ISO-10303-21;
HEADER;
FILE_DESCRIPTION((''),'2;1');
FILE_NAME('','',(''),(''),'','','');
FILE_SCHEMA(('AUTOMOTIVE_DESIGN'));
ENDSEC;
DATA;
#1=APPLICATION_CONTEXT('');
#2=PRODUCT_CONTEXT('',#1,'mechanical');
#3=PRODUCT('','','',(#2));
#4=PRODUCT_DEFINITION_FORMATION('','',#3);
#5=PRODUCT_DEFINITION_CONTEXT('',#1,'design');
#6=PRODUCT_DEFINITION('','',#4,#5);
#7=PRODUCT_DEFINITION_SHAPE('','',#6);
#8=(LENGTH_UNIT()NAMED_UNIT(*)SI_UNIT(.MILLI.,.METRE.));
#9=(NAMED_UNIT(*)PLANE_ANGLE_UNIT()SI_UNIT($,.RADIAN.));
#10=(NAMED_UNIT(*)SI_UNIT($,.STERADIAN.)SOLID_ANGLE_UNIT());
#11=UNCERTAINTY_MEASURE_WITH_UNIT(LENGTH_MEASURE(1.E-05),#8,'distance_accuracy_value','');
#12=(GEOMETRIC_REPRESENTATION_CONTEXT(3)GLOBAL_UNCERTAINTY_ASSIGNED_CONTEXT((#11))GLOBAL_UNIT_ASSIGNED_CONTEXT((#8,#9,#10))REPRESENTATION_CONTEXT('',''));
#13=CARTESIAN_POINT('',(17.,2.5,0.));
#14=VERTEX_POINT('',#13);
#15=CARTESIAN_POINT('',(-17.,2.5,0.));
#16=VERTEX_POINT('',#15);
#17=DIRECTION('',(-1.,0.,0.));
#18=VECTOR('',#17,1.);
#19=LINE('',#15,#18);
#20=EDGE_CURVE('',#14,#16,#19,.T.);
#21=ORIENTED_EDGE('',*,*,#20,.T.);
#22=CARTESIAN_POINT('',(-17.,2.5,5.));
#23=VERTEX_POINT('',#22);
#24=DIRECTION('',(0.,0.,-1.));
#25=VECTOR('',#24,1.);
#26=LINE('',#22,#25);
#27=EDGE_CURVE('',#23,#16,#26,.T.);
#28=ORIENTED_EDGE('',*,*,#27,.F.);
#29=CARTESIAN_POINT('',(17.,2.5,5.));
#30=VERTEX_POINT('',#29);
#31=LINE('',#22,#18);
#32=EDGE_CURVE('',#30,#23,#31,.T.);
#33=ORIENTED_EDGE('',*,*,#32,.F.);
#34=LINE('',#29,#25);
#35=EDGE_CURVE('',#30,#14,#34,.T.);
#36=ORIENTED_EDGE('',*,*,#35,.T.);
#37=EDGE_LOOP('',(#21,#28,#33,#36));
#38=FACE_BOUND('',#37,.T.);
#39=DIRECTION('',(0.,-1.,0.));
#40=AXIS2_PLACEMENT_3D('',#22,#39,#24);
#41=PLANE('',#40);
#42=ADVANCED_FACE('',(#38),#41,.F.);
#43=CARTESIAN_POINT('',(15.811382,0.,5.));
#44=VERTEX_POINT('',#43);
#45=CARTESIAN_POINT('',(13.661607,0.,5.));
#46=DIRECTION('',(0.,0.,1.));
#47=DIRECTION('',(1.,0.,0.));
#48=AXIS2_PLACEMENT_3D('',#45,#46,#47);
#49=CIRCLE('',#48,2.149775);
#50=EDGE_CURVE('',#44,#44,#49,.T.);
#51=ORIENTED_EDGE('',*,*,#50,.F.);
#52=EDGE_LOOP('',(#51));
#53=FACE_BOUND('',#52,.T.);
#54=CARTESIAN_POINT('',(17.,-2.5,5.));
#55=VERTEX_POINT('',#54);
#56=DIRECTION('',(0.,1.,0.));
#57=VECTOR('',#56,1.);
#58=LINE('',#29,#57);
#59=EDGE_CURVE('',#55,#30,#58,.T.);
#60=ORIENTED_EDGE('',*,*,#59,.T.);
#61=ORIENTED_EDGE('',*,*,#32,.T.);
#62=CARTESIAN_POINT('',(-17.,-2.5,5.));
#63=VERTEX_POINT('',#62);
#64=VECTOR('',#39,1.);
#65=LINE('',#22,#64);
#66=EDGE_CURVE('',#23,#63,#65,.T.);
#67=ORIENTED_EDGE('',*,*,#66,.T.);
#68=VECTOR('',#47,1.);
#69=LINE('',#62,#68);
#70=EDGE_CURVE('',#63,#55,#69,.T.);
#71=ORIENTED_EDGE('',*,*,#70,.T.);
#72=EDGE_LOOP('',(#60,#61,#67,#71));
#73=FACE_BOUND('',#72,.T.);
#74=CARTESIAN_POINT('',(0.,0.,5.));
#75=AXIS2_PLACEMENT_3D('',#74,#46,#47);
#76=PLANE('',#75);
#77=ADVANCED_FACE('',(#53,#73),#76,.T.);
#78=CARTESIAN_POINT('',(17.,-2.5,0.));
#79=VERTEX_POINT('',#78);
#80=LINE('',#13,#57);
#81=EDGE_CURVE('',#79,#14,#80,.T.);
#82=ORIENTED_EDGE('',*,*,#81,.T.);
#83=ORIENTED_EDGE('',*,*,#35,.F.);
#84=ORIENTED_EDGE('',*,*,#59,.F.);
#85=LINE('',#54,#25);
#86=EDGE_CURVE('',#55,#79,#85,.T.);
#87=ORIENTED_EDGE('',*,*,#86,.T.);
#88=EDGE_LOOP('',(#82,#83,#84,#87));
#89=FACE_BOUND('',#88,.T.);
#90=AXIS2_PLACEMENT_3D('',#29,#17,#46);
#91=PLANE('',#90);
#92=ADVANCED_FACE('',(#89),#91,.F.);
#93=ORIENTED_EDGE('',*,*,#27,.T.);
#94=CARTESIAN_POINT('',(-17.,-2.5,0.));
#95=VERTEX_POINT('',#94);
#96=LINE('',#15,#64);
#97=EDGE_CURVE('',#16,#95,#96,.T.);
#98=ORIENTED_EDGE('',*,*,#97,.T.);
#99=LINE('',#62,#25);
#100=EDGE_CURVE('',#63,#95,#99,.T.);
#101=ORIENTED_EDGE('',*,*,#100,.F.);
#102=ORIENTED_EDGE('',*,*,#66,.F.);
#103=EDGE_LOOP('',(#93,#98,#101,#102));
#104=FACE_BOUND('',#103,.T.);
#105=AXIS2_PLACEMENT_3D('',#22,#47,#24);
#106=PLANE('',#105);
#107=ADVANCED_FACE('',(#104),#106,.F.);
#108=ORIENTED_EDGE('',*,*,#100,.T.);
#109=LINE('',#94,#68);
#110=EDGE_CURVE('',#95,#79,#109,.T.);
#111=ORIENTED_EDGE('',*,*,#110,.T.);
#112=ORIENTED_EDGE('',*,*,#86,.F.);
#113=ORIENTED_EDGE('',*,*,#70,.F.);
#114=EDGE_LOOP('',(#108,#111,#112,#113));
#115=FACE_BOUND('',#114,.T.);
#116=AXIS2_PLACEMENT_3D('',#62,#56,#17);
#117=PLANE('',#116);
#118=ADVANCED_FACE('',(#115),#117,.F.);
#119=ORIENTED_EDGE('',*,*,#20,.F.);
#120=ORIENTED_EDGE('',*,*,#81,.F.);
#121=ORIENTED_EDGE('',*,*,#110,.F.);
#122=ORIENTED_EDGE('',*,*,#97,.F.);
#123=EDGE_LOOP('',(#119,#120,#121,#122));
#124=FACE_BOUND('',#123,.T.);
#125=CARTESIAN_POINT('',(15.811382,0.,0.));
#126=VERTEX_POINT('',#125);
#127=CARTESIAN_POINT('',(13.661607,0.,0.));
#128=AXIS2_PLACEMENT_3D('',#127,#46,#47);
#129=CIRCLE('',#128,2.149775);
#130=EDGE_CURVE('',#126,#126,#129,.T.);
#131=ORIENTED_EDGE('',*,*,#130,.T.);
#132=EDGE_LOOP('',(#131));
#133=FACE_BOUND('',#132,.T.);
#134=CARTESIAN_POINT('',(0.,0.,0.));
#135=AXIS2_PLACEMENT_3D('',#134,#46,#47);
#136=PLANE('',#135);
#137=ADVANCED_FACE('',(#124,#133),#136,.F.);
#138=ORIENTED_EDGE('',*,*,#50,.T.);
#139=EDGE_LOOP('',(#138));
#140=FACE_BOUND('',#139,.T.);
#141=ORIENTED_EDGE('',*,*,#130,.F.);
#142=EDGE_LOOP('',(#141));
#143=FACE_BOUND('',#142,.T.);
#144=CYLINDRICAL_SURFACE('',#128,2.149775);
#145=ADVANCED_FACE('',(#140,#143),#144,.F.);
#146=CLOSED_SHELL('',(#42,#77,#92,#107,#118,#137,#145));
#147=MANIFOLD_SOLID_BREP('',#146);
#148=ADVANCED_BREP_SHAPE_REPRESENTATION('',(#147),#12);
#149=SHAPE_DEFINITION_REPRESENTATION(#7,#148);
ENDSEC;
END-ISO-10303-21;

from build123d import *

# Parameters (mm, degrees)
SKETCH_1_W          = 34
SKETCH_1_H          = 5
EXTRUDE_1_DEPTH     = 5
SKETCH_2_R          = 2.149775198
CUT_EXTRUDE_1_DEPTH = 5


with BuildPart() as part:
    # 草图1 → 凸台-拉伸1 (new body)
    with BuildSketch(Plane.XY):
        Rectangle(SKETCH_1_W, SKETCH_1_H)
    extrude(amount=EXTRUDE_1_DEPTH)

    # 草图2 → 切除-拉伸1 (cut)
    with BuildSketch(Plane.XY.offset(5)):
        with Locations((13.661606897, 0)):
            Circle(SKETCH_2_R)
    extrude(amount=-CUT_EXTRUDE_1_DEPTH, mode=Mode.SUBTRACT)


solid = part.part
